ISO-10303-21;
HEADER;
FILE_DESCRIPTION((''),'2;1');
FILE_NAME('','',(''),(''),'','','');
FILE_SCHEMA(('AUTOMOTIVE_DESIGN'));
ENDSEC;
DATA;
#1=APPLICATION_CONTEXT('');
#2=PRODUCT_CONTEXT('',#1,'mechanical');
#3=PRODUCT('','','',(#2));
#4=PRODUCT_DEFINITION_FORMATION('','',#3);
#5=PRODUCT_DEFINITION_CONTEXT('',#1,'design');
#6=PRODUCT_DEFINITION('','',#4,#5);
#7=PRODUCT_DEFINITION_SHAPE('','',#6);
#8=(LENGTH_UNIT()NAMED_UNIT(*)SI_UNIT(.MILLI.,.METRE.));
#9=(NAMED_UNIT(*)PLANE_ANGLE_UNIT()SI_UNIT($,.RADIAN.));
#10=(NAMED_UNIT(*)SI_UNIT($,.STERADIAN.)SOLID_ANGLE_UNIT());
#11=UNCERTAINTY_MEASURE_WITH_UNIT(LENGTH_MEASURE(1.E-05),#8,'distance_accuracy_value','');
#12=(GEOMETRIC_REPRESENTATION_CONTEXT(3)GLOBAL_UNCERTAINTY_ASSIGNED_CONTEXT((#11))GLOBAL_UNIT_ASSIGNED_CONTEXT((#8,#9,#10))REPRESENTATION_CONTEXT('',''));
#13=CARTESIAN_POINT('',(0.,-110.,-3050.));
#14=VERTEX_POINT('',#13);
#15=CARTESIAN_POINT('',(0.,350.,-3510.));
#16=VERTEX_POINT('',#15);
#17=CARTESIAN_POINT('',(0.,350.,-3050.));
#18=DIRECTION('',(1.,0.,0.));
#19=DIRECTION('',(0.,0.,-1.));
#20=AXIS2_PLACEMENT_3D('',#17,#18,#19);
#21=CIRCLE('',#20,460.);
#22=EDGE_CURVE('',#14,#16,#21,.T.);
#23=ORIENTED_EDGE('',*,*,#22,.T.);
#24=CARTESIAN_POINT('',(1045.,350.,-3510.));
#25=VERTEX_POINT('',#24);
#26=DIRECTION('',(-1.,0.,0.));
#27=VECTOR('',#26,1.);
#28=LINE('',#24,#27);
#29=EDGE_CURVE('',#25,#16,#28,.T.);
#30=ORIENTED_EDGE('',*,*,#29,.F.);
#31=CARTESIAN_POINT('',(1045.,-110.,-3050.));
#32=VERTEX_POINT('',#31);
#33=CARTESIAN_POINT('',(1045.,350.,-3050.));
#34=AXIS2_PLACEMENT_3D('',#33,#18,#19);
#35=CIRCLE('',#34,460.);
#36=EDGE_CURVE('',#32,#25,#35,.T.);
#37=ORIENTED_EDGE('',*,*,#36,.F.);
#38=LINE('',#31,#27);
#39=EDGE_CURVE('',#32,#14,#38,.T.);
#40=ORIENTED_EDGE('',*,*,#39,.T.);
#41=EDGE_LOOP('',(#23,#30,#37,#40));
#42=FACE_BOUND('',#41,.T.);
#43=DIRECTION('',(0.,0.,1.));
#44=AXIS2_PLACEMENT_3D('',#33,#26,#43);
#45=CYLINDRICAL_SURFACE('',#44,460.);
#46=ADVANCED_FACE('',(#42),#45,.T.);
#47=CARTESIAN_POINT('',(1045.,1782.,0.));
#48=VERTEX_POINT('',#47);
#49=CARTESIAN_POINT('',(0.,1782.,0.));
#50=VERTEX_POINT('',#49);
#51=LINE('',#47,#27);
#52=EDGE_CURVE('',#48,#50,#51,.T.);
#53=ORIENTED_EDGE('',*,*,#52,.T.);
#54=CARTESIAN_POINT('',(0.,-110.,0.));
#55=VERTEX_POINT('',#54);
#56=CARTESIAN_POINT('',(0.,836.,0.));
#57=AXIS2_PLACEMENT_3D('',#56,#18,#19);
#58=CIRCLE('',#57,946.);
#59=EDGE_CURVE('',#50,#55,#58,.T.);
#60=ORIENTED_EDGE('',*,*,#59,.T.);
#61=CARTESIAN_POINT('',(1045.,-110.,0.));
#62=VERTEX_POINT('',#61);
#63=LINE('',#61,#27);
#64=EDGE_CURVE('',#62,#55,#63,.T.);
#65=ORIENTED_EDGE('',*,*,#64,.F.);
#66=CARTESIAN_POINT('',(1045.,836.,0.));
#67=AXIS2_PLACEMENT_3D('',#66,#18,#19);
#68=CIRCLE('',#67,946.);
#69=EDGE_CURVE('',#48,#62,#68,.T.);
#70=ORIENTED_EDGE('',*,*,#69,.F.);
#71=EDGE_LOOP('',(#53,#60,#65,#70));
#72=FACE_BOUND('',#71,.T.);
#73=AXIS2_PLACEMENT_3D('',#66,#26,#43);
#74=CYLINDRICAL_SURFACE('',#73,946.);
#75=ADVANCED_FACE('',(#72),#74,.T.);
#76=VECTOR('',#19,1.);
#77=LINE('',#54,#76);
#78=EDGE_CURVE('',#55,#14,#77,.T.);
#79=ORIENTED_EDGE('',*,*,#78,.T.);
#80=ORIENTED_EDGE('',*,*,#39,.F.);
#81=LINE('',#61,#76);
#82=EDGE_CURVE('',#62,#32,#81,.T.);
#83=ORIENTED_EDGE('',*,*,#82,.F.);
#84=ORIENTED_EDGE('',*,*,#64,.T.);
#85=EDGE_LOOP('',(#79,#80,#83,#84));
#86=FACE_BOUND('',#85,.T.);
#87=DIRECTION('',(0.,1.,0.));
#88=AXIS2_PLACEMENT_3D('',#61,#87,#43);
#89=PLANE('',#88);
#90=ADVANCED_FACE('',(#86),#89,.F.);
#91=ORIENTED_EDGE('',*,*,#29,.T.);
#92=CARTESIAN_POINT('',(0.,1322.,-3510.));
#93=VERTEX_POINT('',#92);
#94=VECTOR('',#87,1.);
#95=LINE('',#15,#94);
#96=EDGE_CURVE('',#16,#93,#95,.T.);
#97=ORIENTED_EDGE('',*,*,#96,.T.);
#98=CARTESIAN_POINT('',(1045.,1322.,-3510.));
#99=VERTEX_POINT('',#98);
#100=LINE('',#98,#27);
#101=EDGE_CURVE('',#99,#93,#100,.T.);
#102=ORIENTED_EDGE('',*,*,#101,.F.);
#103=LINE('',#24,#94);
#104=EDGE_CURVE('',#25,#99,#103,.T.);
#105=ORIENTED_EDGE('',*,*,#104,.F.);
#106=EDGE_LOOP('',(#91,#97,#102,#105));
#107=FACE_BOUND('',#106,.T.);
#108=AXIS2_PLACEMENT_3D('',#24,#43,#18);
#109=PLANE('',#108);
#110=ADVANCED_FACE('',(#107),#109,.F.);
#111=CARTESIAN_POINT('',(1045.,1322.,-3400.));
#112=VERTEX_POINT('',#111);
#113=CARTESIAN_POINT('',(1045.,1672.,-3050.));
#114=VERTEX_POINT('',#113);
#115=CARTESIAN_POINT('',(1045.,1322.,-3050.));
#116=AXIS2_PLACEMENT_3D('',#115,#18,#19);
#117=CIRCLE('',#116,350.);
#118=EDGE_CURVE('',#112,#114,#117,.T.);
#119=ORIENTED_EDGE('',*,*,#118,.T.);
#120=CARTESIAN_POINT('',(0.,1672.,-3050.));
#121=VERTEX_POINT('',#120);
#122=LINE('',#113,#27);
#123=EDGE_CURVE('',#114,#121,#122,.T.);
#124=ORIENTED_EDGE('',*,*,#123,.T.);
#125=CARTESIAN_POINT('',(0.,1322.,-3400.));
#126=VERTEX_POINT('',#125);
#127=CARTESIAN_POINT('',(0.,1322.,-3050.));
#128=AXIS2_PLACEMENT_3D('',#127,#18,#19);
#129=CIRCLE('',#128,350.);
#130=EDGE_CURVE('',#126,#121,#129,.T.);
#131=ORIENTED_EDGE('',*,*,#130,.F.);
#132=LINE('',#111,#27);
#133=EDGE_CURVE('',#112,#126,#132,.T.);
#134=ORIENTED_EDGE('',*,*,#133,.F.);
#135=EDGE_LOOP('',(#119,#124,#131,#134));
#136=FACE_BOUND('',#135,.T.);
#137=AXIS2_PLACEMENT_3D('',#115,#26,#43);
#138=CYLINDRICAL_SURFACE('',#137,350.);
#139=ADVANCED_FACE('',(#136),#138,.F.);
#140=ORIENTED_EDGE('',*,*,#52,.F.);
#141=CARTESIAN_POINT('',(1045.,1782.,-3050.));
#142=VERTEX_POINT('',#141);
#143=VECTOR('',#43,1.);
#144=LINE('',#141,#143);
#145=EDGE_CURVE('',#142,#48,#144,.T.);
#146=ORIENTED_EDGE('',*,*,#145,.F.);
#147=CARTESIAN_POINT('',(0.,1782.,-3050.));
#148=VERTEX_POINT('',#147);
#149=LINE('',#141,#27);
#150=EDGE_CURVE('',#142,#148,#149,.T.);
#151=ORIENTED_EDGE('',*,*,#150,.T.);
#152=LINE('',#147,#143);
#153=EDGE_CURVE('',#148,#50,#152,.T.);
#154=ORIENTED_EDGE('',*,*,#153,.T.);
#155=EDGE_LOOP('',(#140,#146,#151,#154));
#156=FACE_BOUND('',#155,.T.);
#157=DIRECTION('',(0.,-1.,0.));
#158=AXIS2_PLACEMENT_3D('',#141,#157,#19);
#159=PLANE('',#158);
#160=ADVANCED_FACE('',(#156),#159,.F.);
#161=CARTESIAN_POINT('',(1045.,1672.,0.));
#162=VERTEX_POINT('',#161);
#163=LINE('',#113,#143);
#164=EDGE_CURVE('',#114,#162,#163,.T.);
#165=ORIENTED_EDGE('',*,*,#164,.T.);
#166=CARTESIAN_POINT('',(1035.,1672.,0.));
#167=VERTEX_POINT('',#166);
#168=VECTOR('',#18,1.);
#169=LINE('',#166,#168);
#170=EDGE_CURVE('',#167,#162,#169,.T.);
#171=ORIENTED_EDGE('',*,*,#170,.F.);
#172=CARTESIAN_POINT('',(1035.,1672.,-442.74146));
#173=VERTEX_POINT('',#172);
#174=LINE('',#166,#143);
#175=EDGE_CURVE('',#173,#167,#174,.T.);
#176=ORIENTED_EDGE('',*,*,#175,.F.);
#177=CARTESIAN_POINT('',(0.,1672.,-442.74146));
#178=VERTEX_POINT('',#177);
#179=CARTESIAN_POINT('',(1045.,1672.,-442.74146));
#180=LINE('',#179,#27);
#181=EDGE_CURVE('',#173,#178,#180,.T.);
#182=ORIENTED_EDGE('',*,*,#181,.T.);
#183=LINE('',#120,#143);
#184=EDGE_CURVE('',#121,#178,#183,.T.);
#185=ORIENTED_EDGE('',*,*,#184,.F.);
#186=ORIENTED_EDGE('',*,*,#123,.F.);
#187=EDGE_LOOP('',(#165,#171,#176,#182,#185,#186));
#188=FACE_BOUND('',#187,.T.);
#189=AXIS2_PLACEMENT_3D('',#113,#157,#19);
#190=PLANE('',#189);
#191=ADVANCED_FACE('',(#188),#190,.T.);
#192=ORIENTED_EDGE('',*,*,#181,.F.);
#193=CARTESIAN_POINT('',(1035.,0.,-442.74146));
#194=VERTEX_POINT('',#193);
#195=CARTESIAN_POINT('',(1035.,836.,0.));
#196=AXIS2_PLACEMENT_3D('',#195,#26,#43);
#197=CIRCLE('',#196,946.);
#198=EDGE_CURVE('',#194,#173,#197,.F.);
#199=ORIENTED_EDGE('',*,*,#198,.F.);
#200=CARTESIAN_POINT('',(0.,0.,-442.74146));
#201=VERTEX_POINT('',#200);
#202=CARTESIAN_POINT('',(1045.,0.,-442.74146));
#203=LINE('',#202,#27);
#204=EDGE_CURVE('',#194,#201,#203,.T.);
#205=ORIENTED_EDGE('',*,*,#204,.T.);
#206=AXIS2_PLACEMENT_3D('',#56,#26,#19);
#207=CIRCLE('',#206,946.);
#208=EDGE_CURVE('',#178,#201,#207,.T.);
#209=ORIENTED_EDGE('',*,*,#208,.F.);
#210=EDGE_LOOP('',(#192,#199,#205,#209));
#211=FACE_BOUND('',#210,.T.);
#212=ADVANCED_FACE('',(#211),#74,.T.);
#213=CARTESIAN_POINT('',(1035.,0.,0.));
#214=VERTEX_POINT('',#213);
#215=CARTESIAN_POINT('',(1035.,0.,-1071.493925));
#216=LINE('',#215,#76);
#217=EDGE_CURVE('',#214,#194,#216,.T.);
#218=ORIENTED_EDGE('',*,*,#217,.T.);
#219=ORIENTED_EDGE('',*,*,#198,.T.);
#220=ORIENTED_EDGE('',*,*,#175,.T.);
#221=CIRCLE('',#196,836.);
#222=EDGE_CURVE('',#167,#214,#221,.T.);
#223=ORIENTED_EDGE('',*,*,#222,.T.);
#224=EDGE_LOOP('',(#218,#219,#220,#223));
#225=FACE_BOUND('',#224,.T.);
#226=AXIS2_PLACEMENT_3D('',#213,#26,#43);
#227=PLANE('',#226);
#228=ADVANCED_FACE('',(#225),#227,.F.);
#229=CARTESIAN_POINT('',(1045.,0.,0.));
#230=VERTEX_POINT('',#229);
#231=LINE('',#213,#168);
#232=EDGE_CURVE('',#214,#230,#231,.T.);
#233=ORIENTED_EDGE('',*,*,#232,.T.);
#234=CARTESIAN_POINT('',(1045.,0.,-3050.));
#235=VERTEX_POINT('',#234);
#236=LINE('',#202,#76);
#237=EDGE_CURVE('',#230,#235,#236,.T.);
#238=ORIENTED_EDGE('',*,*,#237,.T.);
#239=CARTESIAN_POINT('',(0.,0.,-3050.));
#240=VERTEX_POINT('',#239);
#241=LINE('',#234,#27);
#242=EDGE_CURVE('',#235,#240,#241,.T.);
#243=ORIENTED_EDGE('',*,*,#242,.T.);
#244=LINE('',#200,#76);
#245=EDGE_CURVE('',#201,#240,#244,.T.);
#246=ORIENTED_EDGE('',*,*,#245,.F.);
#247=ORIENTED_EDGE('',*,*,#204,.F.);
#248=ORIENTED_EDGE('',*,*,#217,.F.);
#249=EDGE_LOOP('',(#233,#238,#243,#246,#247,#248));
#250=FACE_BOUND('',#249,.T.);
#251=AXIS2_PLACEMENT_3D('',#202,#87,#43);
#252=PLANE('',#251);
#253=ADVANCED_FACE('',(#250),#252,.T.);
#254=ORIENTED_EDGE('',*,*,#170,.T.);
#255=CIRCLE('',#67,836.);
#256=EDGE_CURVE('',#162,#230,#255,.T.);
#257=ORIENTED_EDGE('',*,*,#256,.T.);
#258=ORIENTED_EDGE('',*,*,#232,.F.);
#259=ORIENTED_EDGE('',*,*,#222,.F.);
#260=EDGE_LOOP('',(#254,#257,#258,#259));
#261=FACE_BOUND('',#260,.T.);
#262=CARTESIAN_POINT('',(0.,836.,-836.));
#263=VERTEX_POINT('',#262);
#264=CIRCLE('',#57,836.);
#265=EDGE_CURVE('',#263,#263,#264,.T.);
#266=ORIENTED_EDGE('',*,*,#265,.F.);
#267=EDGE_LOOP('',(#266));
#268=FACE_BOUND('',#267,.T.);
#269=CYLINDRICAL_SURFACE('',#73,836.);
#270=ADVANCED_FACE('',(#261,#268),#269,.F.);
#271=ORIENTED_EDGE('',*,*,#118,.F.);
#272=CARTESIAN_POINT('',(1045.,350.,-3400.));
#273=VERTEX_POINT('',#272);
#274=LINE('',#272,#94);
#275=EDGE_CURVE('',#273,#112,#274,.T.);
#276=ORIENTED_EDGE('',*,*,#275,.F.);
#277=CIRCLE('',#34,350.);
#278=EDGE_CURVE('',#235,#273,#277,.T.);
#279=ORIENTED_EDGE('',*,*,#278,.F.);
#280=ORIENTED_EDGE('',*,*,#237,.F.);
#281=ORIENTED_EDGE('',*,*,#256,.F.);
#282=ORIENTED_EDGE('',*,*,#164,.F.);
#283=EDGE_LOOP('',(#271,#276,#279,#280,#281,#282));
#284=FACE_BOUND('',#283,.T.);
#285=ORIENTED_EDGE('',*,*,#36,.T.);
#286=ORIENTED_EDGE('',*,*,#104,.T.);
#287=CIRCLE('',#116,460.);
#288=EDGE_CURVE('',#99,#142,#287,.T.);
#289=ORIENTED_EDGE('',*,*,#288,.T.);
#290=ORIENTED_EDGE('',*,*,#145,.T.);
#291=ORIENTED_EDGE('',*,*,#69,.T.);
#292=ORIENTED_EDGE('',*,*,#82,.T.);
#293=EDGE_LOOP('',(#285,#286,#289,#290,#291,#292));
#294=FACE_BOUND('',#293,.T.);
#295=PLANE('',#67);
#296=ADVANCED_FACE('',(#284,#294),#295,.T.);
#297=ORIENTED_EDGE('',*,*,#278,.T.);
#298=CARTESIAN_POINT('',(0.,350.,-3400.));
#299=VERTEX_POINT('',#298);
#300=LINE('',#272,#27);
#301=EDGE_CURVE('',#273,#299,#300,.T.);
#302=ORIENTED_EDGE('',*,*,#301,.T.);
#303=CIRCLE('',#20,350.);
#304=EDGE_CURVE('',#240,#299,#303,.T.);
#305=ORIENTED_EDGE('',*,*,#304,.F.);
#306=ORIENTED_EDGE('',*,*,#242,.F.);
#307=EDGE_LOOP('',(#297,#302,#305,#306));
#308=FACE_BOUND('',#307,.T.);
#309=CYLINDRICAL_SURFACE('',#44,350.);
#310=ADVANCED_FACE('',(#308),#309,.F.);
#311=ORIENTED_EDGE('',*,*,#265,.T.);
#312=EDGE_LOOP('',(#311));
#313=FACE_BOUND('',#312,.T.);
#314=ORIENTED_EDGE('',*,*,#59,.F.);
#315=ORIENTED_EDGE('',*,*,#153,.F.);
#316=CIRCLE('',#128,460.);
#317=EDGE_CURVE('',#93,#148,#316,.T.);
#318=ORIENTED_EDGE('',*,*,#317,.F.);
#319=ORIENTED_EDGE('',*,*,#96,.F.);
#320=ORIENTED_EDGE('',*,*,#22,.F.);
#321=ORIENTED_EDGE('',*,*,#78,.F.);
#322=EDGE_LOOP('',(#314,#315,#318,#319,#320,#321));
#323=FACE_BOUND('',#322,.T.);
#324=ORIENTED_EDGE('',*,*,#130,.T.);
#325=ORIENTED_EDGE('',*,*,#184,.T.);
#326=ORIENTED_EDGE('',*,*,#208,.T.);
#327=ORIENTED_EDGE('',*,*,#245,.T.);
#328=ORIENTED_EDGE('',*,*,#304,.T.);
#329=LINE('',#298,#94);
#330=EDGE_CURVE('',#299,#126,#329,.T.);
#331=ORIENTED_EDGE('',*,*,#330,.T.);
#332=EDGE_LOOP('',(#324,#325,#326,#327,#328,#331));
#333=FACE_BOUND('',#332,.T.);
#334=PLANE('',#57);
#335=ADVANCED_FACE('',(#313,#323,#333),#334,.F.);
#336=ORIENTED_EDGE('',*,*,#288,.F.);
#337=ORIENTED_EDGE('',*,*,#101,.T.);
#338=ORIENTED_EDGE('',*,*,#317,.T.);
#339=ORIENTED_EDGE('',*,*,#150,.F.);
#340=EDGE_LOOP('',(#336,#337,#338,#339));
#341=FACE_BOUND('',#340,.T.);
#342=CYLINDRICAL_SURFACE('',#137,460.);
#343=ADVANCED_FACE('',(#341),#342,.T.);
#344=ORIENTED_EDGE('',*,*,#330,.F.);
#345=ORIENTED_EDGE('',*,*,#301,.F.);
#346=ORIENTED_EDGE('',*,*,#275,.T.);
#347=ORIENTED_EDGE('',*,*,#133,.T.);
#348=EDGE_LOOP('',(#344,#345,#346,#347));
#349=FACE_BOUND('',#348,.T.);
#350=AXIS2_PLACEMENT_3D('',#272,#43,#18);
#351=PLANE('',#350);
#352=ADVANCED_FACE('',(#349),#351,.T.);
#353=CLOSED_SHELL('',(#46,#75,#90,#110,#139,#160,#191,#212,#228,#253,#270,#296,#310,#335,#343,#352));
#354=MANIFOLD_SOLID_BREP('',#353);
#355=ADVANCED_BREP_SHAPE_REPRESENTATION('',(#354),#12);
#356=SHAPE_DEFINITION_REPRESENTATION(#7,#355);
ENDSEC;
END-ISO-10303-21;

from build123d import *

# Parameters (mm, degrees)
SKETCH1_R           = 836
BOSS_EXTRUDE1_DEPTH = 1045
SKETCH2_W           = 1071.493924567
SKETCH2_H           = 1672
CUT_EXTRUDE1_DEPTH  = 10


with BuildPart() as part:
    # Sketch1 → Boss-Extrude1 (new body)
    with BuildSketch(Plane(origin=(0, 0, 0), x_dir=(0, 0, -1), z_dir=(1, 0, 0))):
        with BuildLine():
            Line((0, -110), (3050, -110))
            ThreePointArc((3050, -110), (3375.269119346, 24.730880654), (3510, 350))
            Line((3510, 350), (3510, 1322))
            ThreePointArc((3510, 1322), (3375.269119346, 1647.269119346), (3050, 1782))
            Line((3050, 1782), (0, 1782))
            ThreePointArc((0, 1782), (-946, 836), (0, -110))
        make_face()
        with Locations((0, 836)):
            Circle(SKETCH1_R, mode=Mode.SUBTRACT)
        with BuildLine():
            Line((442.741459545, 0), (3050, 0))
            ThreePointArc((3050, 0), (3297.487373415, 102.512626585), (3400, 350))
            Line((3400, 350), (3400, 1322))
            ThreePointArc((3400, 1322), (3297.487373415, 1569.487373415), (3050, 1672))
            Line((3050, 1672), (442.741459545, 1672))
            ThreePointArc((442.741459545, 1672), (946, 836), (442.741459545, 0))
        make_face(mode=Mode.SUBTRACT)
    extrude(amount=BOSS_EXTRUDE1_DEPTH)

    # Sketch2 → Cut-Extrude1 (cut)
    with BuildSketch(Plane(origin=(1045, 0, 0), x_dir=(0, 0, -1), z_dir=(1, 0, 0))):
        with Locations((535.746962284, 836)):
            Rectangle(SKETCH2_W, SKETCH2_H)
    extrude(amount=-CUT_EXTRUDE1_DEPTH, mode=Mode.SUBTRACT)


solid = part.part
